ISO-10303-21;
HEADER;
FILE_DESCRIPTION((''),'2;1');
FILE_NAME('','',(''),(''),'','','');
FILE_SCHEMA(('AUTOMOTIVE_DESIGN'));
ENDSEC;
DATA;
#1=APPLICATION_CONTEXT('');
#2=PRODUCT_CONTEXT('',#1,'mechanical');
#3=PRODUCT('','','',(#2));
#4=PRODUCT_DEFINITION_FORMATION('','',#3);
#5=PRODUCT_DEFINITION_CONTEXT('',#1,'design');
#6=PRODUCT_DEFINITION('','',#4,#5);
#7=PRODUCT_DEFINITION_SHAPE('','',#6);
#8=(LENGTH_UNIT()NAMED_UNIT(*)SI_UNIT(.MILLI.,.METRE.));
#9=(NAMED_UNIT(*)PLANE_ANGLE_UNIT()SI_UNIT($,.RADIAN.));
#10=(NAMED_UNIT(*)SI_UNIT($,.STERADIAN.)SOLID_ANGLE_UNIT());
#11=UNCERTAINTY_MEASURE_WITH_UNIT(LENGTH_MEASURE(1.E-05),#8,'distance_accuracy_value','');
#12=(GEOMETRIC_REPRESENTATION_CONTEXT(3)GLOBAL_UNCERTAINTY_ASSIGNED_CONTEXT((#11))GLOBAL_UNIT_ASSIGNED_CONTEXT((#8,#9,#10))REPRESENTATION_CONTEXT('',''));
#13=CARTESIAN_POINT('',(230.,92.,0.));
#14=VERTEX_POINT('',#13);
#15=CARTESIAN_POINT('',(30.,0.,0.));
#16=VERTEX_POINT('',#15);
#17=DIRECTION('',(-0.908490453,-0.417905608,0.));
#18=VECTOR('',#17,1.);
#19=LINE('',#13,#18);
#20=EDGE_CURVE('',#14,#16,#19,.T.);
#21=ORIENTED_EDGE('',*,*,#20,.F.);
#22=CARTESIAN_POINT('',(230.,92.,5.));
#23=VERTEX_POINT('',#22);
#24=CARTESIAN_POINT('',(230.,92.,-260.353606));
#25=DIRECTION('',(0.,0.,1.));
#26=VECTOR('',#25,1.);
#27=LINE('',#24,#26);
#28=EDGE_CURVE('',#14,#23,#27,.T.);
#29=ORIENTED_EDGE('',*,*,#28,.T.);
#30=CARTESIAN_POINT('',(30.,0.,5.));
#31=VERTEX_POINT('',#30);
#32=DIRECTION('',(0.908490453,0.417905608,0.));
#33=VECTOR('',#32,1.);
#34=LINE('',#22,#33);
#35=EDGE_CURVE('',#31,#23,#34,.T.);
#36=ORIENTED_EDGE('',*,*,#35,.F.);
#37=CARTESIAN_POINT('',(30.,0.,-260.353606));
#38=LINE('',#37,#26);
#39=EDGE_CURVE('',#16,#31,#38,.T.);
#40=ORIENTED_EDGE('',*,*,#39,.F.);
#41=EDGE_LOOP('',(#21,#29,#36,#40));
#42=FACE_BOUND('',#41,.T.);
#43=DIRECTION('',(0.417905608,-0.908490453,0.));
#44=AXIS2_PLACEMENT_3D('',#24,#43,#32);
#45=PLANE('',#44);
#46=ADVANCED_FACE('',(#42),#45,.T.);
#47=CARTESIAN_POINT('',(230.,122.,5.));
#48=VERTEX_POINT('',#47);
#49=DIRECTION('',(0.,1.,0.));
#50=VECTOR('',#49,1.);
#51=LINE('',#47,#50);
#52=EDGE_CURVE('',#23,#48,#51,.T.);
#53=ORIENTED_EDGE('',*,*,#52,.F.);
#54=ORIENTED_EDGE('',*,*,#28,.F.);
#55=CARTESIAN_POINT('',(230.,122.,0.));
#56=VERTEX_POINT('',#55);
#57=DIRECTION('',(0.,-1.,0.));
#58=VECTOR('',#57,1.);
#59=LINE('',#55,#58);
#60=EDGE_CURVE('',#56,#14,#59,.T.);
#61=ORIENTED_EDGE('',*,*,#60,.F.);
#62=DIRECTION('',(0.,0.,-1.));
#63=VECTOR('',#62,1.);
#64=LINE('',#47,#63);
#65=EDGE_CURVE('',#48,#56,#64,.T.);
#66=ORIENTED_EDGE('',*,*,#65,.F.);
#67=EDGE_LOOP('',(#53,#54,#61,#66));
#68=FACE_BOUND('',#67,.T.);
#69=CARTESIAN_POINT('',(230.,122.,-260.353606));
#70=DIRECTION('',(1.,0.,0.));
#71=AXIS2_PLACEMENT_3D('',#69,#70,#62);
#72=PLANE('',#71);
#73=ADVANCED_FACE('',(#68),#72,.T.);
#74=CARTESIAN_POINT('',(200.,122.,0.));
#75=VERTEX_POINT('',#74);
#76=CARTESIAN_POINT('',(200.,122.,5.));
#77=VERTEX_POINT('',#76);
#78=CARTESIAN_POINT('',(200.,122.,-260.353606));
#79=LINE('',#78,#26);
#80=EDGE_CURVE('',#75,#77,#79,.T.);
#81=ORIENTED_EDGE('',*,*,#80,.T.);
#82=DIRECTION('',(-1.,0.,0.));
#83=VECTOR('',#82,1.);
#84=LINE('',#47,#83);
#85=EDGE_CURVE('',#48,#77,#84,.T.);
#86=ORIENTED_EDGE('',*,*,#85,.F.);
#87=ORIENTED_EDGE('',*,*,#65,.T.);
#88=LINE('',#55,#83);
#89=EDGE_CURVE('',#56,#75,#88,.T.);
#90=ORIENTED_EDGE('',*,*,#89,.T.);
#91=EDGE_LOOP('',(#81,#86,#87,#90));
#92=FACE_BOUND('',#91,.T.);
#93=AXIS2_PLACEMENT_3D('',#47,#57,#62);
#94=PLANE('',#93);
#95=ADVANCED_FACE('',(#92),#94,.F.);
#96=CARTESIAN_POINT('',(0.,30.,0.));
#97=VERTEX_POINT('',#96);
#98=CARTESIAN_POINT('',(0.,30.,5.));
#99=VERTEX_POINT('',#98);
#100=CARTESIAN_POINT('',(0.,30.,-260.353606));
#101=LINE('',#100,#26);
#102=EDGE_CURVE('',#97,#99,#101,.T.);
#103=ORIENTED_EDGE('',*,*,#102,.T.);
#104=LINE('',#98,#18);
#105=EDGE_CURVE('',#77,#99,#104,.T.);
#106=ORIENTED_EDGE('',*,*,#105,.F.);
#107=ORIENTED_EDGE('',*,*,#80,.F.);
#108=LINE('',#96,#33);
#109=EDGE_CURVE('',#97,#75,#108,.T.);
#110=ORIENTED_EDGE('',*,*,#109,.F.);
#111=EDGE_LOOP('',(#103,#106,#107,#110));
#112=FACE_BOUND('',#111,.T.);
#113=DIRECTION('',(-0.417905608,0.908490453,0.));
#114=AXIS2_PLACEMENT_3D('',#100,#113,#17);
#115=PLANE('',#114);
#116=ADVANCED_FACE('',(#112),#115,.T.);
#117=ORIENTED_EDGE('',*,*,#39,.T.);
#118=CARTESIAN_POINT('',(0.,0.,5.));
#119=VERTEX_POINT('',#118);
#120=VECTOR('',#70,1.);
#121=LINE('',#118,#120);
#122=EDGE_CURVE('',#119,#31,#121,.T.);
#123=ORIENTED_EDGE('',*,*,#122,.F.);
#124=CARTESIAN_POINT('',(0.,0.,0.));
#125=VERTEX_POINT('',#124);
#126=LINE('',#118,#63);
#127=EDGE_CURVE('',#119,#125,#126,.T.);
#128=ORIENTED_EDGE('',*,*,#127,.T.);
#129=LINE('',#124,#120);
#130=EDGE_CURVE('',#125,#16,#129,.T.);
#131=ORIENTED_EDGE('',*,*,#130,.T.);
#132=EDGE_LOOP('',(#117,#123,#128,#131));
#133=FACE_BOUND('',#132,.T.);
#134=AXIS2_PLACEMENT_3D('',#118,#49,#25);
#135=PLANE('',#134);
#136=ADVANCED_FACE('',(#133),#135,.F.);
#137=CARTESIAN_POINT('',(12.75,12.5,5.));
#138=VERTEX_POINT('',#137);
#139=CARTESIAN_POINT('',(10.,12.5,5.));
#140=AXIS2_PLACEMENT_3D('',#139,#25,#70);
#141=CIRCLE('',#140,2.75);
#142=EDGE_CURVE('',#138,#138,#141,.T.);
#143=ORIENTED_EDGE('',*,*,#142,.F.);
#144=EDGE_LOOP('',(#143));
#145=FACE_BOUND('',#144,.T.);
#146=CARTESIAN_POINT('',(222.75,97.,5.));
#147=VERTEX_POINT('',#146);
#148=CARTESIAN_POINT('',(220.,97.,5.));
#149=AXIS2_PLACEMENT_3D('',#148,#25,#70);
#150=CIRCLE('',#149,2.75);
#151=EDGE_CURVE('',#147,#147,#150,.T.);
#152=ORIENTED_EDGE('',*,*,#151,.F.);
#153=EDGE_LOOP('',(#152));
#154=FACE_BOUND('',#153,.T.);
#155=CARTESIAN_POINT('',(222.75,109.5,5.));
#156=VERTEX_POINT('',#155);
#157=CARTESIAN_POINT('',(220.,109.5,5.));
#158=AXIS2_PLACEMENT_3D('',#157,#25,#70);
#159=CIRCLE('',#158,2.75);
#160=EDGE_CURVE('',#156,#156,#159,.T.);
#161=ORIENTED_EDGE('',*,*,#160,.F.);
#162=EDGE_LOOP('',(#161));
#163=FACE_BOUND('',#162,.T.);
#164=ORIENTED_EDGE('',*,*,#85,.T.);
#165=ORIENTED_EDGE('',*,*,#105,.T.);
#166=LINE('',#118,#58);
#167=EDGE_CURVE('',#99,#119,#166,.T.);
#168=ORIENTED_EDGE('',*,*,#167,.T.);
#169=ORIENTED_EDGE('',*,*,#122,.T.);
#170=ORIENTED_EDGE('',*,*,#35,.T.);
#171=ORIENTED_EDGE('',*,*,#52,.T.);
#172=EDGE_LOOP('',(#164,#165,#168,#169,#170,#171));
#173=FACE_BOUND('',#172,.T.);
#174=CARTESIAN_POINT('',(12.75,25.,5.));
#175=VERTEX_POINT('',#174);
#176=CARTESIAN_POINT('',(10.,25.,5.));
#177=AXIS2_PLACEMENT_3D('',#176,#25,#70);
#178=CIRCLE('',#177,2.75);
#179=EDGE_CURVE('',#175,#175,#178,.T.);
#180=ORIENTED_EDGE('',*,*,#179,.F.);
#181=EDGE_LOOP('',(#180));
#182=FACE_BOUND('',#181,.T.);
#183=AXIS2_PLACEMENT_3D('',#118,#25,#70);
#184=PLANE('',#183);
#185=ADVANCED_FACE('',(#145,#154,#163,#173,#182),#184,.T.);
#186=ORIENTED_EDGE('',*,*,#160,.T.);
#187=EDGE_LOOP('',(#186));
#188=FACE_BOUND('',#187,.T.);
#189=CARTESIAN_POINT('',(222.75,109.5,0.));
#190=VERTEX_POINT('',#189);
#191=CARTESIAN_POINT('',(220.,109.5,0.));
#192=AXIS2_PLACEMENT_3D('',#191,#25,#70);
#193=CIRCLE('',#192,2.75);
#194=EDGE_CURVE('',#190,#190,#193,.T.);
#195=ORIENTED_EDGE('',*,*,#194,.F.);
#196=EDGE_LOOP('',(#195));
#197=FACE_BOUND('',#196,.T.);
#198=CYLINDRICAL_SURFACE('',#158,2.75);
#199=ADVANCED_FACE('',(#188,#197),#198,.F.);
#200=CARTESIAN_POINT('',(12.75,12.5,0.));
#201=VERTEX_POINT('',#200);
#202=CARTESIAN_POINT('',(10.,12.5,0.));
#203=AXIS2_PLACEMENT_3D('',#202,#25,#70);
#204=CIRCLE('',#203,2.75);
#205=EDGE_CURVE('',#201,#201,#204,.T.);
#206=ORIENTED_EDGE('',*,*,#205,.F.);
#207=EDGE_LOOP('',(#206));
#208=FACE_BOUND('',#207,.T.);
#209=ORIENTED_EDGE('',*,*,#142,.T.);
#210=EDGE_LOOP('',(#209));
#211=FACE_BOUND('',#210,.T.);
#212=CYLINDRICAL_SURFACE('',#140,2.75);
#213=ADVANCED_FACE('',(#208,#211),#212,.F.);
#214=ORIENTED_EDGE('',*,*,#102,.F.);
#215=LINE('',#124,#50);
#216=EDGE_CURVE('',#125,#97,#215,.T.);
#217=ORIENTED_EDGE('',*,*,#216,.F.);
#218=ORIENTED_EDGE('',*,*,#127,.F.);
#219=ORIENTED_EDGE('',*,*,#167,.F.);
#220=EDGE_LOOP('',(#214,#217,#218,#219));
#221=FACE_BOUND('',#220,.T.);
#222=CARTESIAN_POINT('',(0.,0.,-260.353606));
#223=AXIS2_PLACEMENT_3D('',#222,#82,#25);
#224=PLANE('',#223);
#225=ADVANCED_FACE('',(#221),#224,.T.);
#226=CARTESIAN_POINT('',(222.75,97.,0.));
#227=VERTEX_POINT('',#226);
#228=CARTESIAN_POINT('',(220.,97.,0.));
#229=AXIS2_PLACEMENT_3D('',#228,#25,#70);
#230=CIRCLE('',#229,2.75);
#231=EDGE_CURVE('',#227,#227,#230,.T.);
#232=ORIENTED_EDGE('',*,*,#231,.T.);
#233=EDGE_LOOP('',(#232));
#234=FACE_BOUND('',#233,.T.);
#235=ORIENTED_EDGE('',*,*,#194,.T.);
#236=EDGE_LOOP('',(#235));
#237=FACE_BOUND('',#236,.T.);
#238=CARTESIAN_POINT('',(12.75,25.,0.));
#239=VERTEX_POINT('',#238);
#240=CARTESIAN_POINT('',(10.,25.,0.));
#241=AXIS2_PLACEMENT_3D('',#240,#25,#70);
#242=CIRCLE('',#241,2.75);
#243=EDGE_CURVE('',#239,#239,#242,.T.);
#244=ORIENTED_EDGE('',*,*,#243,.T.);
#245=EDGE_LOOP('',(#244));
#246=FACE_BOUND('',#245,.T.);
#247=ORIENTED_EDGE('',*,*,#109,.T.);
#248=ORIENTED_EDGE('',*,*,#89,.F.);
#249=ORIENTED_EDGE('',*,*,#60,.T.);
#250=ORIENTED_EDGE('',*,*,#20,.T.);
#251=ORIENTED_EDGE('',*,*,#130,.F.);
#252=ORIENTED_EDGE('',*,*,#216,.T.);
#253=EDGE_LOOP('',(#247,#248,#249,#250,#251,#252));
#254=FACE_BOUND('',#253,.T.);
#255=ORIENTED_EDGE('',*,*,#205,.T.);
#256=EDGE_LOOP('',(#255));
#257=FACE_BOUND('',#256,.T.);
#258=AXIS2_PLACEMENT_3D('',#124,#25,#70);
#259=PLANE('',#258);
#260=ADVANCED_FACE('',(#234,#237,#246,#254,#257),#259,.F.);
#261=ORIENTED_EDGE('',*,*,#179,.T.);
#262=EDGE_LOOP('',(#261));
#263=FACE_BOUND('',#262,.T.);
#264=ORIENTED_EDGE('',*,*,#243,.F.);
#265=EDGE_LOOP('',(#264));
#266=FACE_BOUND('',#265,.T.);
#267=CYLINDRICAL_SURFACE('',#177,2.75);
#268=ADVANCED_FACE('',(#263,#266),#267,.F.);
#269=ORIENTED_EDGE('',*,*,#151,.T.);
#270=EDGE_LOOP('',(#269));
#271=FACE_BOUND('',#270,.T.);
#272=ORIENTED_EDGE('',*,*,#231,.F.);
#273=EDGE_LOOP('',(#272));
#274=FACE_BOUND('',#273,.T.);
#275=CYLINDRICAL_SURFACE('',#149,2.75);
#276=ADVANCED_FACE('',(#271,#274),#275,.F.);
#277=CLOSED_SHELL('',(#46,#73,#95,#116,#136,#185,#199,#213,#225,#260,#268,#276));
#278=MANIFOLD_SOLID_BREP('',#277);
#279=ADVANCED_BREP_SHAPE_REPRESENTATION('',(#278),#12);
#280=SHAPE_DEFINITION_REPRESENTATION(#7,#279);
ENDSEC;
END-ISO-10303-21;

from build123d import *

# Parameters (mm, degrees)
BOSS_EXTRUDE1_DEPTH  = 5
BOSS_EXTRUDE2_DEPTH  = 5
M5_CLEARANCE_HOLE1_D = 5.5


with BuildPart() as part:
    # Sketch1 → Boss-Extrude1 (new body)
    with BuildSketch(Plane.XY):
        Polygon((0, 0), (20, 0), (230, 122), (210, 122), align=None)
    extrude(amount=BOSS_EXTRUDE1_DEPTH)

    # Sketch2 → Boss-Extrude2 (add)
    with BuildSketch(Plane.XY.offset(5)):
        Polygon((0, 0), (0, 30), (200, 122), (210, 122), (230, 122), (230, 92), (30, 0), align=None)
    extrude(amount=-BOSS_EXTRUDE2_DEPTH)

    # M5 Clearance Hole1 (through all)
    with Locations(Plane.XY.offset(5)):
        with Locations((10, 25), (220, 97), (10, 12.5), (220, 109.5)):
            Hole(M5_CLEARANCE_HOLE1_D / 2)


solid = part.part
